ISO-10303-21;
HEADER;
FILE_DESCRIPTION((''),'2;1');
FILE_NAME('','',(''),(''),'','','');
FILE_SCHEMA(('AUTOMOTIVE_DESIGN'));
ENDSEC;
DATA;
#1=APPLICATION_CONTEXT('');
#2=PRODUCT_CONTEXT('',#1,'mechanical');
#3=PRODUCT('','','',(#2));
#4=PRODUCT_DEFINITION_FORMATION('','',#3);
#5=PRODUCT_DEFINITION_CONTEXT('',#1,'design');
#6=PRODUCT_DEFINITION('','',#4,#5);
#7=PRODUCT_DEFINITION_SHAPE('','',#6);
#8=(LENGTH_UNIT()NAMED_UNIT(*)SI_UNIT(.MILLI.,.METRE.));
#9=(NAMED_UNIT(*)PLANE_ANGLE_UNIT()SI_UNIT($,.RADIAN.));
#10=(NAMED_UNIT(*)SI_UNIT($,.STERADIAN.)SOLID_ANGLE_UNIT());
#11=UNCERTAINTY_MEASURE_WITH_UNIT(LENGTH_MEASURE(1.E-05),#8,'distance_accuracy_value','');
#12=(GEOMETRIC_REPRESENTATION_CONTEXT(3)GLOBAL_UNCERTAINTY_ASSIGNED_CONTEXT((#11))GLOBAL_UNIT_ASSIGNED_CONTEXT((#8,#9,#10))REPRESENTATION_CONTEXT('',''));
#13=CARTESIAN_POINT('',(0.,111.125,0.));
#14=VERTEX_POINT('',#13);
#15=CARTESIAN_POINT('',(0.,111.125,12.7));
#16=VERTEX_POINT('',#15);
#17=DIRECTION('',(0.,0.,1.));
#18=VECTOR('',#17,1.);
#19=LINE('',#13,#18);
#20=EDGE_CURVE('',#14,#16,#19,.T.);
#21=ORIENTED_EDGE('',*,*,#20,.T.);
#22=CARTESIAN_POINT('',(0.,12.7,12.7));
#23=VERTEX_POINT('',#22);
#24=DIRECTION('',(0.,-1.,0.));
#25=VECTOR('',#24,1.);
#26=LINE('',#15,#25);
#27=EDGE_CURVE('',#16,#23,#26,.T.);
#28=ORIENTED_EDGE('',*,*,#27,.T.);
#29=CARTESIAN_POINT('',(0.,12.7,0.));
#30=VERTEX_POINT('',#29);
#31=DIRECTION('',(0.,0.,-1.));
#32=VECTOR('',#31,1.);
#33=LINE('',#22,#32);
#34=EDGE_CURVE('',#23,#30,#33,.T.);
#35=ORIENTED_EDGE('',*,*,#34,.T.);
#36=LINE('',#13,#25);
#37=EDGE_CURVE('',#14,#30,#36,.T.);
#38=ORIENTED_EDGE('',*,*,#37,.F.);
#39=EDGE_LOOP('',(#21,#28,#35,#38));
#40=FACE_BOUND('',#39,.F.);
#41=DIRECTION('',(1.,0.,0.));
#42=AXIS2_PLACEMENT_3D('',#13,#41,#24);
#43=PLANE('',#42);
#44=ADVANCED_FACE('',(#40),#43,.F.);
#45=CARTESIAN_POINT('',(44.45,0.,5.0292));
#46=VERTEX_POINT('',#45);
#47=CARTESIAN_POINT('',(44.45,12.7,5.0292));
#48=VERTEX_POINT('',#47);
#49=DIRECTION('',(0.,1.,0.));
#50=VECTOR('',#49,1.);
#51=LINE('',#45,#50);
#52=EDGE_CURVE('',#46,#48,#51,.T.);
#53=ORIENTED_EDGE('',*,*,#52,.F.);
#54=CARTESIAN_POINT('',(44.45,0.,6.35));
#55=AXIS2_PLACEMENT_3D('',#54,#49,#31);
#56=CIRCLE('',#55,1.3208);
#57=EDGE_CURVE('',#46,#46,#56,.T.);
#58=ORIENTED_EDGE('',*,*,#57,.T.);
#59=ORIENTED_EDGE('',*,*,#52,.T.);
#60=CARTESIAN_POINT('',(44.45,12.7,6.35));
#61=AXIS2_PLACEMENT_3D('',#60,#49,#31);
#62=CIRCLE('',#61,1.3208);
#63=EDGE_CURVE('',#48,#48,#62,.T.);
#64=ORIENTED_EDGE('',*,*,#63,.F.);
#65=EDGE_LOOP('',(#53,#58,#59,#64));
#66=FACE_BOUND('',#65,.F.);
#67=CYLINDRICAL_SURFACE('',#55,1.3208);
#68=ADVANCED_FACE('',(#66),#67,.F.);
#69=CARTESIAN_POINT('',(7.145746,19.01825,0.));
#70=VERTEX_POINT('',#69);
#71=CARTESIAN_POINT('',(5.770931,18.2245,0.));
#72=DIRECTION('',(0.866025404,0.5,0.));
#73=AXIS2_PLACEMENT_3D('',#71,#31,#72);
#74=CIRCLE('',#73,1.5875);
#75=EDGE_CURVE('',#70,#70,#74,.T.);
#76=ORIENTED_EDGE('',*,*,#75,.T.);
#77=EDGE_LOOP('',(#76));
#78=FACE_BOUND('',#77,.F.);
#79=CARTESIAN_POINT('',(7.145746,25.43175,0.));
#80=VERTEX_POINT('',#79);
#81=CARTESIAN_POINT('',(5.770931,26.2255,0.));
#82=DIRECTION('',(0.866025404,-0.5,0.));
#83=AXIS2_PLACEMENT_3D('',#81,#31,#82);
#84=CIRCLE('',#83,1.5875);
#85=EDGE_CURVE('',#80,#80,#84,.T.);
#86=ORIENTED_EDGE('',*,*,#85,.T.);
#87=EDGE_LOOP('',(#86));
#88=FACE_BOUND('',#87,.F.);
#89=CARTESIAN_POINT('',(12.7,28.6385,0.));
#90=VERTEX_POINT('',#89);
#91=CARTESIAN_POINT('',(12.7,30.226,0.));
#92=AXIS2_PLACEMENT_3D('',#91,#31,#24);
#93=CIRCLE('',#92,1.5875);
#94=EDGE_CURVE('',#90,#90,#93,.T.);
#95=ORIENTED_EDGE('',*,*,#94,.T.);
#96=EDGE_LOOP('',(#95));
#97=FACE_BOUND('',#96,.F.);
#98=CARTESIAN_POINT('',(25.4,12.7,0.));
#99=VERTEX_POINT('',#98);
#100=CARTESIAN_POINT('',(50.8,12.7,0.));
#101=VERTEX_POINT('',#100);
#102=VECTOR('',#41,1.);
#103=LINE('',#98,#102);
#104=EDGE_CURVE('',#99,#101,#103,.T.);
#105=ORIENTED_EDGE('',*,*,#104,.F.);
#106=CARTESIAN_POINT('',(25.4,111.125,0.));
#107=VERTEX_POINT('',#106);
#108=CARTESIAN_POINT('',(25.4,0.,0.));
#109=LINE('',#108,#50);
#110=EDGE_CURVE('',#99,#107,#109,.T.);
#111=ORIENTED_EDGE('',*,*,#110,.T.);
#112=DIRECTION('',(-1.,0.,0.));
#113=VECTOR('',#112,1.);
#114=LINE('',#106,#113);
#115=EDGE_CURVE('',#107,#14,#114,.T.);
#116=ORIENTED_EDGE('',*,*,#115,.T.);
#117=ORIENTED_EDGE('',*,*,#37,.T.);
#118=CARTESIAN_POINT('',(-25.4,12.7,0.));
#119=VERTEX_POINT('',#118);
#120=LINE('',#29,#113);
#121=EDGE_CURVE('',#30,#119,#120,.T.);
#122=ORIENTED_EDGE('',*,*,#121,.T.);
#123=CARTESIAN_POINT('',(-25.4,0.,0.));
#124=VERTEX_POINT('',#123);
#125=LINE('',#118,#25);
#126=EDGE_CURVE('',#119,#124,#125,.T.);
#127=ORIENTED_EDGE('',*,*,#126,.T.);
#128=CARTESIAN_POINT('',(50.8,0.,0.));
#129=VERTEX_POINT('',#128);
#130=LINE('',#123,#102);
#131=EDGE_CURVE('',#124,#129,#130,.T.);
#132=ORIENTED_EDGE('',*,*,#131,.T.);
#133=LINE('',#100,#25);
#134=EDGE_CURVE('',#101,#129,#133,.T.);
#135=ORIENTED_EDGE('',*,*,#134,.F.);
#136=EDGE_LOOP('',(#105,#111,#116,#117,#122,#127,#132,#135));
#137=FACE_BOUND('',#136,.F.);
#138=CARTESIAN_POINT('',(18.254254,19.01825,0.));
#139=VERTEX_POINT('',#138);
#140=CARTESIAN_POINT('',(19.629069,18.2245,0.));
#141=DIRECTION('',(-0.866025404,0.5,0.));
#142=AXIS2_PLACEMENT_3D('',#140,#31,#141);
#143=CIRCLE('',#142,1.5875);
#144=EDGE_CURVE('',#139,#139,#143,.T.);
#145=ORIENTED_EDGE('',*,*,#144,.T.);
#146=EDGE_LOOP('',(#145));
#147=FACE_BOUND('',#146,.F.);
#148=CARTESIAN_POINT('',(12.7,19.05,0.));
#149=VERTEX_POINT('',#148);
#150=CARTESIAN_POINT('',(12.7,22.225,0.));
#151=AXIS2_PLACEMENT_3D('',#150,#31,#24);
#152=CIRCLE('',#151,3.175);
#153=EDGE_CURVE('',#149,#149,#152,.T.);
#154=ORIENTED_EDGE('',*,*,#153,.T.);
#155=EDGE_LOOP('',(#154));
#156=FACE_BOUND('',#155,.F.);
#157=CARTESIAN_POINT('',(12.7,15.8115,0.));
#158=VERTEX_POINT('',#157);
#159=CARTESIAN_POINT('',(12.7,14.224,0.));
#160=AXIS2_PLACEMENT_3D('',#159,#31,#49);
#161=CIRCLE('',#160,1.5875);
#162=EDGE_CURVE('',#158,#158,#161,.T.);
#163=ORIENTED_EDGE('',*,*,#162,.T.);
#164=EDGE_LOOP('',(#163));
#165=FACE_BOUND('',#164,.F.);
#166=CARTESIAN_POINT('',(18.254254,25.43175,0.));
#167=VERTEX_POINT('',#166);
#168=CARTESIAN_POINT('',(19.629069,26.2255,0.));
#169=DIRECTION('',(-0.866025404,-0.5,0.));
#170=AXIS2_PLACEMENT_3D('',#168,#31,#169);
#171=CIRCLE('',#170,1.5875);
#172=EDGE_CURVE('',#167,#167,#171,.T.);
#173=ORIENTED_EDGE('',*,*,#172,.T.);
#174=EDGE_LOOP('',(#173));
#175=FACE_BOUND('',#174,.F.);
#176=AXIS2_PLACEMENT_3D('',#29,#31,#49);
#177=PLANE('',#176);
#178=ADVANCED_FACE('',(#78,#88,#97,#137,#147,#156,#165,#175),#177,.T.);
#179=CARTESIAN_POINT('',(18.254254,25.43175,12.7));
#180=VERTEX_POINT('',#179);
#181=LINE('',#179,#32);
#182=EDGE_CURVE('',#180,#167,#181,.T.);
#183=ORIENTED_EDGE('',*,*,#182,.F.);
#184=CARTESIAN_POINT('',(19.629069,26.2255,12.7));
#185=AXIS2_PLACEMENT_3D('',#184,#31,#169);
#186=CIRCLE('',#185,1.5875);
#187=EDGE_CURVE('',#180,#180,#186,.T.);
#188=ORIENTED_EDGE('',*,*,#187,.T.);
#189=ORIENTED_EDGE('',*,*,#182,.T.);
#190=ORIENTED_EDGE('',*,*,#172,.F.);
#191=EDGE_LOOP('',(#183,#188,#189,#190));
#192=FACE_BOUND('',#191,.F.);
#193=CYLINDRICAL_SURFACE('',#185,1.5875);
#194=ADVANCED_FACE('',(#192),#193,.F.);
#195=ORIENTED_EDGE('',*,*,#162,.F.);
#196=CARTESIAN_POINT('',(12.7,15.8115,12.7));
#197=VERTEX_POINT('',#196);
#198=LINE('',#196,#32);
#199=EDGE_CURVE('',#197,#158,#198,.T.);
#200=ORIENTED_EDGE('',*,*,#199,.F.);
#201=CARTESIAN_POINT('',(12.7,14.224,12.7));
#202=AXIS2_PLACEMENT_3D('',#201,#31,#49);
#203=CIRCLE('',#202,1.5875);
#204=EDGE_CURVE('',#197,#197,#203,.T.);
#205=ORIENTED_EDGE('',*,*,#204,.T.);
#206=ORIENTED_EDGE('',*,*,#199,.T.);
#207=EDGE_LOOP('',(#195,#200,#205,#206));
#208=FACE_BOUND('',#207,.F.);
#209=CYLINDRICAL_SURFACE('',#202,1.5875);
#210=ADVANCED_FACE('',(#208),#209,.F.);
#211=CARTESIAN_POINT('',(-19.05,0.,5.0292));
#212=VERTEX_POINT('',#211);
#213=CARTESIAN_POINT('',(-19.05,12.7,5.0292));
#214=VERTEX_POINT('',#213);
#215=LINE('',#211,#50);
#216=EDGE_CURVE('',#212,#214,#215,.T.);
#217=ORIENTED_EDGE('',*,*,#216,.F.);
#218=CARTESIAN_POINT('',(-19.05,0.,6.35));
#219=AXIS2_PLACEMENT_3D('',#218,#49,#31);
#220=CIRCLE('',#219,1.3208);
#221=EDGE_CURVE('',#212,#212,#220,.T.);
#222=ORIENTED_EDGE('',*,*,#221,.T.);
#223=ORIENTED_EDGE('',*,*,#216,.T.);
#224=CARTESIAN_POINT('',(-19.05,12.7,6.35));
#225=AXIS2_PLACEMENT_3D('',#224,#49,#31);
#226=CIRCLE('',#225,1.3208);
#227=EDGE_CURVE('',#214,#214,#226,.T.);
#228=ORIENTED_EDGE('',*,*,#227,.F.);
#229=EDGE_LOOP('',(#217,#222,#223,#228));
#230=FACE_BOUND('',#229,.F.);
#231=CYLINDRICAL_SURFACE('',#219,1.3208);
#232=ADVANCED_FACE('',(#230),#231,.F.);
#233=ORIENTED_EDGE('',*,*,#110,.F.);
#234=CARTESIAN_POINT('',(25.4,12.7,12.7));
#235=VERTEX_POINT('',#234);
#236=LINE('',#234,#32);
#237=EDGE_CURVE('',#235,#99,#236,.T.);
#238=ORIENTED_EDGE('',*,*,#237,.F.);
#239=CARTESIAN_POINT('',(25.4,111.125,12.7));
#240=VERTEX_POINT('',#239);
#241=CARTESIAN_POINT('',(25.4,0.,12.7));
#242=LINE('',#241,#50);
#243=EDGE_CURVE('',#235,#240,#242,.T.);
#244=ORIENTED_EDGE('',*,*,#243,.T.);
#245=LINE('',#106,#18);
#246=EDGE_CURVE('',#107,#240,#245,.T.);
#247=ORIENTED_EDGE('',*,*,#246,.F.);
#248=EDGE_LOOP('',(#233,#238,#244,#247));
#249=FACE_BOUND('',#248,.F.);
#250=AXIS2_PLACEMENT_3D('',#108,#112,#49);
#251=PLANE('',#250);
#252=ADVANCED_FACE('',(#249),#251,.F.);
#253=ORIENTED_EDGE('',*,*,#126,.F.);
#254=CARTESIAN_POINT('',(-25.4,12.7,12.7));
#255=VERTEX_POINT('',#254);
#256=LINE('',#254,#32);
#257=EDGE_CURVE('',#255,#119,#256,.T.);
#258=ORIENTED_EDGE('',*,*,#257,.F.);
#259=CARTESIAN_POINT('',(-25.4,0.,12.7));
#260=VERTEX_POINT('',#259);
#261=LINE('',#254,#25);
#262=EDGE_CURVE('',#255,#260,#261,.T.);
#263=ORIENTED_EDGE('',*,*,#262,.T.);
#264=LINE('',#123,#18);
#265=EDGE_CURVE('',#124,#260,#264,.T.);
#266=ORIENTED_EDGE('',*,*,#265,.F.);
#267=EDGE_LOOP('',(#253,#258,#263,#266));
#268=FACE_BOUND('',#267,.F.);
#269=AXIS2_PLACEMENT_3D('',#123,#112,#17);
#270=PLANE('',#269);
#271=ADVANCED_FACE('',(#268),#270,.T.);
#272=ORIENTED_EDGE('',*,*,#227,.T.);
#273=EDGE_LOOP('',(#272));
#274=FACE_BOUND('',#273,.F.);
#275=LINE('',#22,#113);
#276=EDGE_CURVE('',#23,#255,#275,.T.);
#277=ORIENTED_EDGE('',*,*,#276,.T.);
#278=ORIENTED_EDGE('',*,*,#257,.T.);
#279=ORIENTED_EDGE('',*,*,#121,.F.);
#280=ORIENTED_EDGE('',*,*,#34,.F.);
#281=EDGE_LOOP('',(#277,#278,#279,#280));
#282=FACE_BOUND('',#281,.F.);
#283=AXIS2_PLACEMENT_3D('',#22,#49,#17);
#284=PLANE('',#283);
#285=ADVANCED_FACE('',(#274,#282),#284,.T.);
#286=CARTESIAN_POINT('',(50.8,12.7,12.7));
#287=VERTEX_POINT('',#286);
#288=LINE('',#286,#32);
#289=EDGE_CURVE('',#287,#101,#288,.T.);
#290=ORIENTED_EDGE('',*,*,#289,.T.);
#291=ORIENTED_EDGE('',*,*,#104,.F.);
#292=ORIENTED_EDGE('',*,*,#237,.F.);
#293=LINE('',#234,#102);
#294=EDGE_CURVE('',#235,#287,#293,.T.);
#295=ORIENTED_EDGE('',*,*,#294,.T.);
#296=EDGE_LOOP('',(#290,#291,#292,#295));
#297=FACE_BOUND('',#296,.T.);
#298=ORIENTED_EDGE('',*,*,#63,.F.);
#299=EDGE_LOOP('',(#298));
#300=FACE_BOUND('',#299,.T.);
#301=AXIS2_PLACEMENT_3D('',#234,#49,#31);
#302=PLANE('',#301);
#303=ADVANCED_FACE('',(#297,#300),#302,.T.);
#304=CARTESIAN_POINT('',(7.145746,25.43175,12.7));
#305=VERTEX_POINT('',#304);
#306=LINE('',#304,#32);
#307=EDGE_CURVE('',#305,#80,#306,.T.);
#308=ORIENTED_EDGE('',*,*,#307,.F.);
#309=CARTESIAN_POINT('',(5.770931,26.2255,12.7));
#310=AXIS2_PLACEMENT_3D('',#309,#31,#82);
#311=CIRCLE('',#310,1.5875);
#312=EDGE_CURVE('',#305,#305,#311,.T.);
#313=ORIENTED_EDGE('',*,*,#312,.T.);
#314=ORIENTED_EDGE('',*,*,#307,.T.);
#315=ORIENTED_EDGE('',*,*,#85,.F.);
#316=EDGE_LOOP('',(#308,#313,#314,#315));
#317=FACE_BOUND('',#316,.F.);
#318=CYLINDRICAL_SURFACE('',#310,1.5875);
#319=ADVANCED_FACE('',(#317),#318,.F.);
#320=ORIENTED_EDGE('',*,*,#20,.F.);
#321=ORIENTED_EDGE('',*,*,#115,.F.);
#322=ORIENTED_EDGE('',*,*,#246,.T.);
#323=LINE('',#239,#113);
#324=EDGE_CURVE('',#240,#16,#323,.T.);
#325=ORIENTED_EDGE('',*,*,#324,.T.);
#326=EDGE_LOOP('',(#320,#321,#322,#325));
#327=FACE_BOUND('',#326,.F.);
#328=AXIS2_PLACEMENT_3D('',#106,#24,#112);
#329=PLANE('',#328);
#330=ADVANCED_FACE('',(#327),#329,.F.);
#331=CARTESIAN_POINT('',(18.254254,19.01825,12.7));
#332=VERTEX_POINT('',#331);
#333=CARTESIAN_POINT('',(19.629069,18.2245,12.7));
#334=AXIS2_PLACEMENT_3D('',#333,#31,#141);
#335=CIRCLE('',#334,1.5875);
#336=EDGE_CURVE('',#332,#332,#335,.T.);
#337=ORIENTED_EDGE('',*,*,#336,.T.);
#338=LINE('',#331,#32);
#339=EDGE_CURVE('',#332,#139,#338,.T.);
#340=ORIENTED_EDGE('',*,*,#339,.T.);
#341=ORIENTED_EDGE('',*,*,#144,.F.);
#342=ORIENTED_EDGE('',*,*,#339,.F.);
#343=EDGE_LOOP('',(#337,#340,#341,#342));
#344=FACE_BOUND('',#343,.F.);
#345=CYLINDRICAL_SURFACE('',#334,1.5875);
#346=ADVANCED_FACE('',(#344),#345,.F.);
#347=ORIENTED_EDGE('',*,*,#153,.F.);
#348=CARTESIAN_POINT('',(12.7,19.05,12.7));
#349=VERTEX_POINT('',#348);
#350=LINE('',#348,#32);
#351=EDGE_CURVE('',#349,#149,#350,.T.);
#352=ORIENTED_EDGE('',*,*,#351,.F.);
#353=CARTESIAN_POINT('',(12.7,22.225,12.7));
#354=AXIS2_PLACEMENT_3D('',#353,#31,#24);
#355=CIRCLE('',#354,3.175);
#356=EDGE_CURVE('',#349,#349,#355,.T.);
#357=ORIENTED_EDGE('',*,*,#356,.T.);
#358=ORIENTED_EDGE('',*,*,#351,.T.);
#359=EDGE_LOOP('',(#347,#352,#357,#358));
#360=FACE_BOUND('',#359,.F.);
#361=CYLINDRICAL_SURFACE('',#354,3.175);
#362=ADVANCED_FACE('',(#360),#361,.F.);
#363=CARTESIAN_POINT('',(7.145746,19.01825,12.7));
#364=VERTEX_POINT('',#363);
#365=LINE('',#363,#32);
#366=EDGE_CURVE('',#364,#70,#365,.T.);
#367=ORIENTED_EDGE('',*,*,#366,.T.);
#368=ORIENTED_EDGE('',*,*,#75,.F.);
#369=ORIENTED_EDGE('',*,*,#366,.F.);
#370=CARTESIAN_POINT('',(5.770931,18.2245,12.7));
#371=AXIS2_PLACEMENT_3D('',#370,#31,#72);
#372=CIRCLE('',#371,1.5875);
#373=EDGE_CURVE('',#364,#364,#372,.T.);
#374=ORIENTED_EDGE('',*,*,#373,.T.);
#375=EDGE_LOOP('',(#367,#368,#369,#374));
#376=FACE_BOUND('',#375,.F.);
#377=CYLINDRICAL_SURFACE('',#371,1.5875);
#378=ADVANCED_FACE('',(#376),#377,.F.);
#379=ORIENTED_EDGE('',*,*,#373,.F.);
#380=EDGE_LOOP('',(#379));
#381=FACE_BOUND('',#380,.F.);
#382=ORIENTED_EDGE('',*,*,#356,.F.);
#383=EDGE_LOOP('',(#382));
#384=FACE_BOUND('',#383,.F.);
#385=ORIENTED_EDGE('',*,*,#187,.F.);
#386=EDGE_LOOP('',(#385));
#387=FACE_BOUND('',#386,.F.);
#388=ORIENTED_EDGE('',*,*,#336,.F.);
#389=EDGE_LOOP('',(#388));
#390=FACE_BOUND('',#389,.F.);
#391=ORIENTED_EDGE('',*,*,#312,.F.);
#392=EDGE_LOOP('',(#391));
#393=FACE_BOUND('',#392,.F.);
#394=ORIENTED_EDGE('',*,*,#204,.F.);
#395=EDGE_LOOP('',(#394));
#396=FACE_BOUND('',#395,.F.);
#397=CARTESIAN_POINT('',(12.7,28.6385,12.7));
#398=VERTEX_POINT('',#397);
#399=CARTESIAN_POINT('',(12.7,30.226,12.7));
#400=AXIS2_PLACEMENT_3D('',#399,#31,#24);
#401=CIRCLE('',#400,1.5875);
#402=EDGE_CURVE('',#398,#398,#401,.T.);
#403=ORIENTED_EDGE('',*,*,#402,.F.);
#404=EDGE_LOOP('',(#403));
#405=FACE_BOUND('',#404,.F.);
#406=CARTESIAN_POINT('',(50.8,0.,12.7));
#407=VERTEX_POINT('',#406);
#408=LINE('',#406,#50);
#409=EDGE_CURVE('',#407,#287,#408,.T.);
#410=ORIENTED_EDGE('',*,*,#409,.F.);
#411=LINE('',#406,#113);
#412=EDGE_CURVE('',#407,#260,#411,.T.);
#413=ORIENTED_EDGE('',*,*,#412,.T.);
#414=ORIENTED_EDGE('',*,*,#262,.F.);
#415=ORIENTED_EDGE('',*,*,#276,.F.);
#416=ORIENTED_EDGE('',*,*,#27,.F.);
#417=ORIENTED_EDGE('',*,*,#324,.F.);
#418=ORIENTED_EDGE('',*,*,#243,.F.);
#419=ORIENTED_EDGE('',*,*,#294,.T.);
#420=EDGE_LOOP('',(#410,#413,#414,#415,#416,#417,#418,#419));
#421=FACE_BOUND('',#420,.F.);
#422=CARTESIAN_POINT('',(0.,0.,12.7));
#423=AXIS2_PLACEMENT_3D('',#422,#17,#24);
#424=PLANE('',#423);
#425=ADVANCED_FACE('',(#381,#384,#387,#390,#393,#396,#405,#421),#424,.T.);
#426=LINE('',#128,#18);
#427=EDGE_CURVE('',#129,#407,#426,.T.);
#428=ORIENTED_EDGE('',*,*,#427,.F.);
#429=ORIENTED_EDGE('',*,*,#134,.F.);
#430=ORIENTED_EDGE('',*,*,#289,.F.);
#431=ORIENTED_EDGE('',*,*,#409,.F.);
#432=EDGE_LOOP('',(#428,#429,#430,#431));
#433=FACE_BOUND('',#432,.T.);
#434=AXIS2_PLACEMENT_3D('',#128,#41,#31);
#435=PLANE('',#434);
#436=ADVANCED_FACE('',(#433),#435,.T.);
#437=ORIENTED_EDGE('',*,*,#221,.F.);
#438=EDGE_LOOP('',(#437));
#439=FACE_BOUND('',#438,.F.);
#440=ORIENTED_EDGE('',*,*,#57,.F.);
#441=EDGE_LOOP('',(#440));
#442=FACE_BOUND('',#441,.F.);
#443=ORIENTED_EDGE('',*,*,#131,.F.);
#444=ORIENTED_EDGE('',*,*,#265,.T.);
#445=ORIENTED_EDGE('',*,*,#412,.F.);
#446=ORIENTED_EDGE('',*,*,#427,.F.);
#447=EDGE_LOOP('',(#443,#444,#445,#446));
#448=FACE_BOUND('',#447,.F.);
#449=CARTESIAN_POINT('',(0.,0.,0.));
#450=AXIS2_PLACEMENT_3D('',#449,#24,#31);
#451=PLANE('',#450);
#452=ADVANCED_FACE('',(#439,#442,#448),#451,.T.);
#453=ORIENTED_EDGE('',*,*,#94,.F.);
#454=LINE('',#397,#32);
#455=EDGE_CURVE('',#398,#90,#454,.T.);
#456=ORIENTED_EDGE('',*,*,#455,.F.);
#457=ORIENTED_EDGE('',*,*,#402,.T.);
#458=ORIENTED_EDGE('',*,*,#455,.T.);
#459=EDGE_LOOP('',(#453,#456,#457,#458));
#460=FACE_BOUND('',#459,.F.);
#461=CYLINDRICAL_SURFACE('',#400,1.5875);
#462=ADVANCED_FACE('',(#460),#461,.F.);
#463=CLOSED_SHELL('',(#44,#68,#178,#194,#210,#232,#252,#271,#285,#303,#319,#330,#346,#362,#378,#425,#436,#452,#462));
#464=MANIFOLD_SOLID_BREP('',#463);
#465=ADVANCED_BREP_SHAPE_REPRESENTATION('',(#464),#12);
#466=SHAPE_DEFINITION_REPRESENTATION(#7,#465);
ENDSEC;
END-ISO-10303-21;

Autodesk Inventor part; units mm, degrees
ref_plane "YZ Plane" through (0, 0, 0) normal (1, 0, 0) x (0, 1, 0)
ref_plane "XZ Plane" through (0, 0, 0) normal (0, 1, 0) x (-1, 0, 0)
sketch "Sketch1" plane through (0, 0, 0) normal (0, 0, 1) x (1, 0, 0)
  line L0 (0, 0) -> (25.4, 0)
  line L1 (25.4, 0) -> (25.4, 111.125)
  line L2 (25.4, 111.125) -> (0, 111.125)
  line L3 (0, 111.125) -> (0, 0)
  dimension "d0" = 25.4
  dimension "d1" = 111.125
extrude "Extrusion1" add sketch "Sketch1" along normal blind 12.7
sketch "Sketch2" plane through (0, 0, 12.7) normal (0, 0, 1) x (1, 0, 0)
  line L0 (25.4, 111.125) -> (0, 111.125) projected
  line L1 (25.4, 0) -> (25.4, 111.125) projected
  point P0 (0, 0)
  point P1 (12.7, 22.225)
  dimension "d4" = 88.9
  dimension "d5" = 25.4
  dimension "d6" = 12.7
hole "Hole1" at (12.7, 22.225, 12.7) direction (0, 0, -1) diameter 6.35 end through all
sketch "Sketch3" plane through (0, 0, 12.7) normal (0, 0, 1) x (1, 0, 0)
  circle A0 centre (12.7, 22.225) radius 3.175 projected
  line L0 (0, 111.125) -> (0, 0) projected
  point P0 (12.7, 30.226)
  dimension "d14" = 8.001
  dimension "d15" = 12.7
hole "Hole2" at (12.7, 30.226, 12.7) direction (0, 0, -1) diameter 3.175 end through all
pattern_circular "Circular Pattern1" count 6 over 360 about axis through (12.7, 22.225, -101.9962) along (0, 0, 1) of "Hole2"
sketch "Sketch5" plane through (25.4, 0, 0) normal (1, 0, 0) x (0, 0, -1)
  line L0 (0, 0) -> (-12.7, 0) projected
  line L1 (-12.7, 12.6365) -> (-12.7, 15.8115) projected
  line L2 (0, 0) -> (-12.7, 0)
  line L3 (-12.7, 0) -> (-12.7, 12.7)
  line L4 (-12.7, 12.7) -> (0, 12.7)
  line L5 (0, 12.7) -> (0, 0)
  dimension "d26" = 12.7
extrude "Extrusion2" add sketch "Sketch5" along normal blind 25.4
ref_plane "Work Plane1" through (12.7, 111.125, 12.7) normal (1, 0, 0) x (0, 0, -1)
mirror "Mirror1" about plane through (12.7, 111.125, 12.7) normal (1, 0, 0) of "Extrusion2"
sketch "Sketch7" plane through (50.8, 0, 0) normal (0, -1, 0) x (1, 0, 0)
  line L0 (-76.2, 0) -> (0, 0) projected
  line L1 (0, 12.7) -> (0, 0) projected
  line L2 (0, 12.7) -> (-76.2, 12.7) projected
  line L3 (-76.2, 12.7) -> (-76.2, 0) projected
  point P0 (-50.8, 0)
  point P1 (-6.35, 6.35)
  point P2 (-69.85, 6.35)
  dimension "d29" = 12.7
  dimension "d30" = 6.35
  dimension "d31" = 6.35
  dimension "d32" = 6.35
  dimension "d33" = 6.35
hole "Hole3" at (44.45, 0, 6.35) at (-19.05, 0, 6.35) direction (0, 1, 0) diameter 2.6416 end through all thread size "6-32 UNC" class "2B" standard "ANSI Unified Screw Threads"
equation "\"d6\" = 0.5 * d5"
equation "\"d30\" = 0.5 * d29"
equation "\"d31\" = d30"
equation "\"d32\" = d30"
equation "\"d33\" = d31"
properties part number "Motor Block" material "Aluminum 6061"
